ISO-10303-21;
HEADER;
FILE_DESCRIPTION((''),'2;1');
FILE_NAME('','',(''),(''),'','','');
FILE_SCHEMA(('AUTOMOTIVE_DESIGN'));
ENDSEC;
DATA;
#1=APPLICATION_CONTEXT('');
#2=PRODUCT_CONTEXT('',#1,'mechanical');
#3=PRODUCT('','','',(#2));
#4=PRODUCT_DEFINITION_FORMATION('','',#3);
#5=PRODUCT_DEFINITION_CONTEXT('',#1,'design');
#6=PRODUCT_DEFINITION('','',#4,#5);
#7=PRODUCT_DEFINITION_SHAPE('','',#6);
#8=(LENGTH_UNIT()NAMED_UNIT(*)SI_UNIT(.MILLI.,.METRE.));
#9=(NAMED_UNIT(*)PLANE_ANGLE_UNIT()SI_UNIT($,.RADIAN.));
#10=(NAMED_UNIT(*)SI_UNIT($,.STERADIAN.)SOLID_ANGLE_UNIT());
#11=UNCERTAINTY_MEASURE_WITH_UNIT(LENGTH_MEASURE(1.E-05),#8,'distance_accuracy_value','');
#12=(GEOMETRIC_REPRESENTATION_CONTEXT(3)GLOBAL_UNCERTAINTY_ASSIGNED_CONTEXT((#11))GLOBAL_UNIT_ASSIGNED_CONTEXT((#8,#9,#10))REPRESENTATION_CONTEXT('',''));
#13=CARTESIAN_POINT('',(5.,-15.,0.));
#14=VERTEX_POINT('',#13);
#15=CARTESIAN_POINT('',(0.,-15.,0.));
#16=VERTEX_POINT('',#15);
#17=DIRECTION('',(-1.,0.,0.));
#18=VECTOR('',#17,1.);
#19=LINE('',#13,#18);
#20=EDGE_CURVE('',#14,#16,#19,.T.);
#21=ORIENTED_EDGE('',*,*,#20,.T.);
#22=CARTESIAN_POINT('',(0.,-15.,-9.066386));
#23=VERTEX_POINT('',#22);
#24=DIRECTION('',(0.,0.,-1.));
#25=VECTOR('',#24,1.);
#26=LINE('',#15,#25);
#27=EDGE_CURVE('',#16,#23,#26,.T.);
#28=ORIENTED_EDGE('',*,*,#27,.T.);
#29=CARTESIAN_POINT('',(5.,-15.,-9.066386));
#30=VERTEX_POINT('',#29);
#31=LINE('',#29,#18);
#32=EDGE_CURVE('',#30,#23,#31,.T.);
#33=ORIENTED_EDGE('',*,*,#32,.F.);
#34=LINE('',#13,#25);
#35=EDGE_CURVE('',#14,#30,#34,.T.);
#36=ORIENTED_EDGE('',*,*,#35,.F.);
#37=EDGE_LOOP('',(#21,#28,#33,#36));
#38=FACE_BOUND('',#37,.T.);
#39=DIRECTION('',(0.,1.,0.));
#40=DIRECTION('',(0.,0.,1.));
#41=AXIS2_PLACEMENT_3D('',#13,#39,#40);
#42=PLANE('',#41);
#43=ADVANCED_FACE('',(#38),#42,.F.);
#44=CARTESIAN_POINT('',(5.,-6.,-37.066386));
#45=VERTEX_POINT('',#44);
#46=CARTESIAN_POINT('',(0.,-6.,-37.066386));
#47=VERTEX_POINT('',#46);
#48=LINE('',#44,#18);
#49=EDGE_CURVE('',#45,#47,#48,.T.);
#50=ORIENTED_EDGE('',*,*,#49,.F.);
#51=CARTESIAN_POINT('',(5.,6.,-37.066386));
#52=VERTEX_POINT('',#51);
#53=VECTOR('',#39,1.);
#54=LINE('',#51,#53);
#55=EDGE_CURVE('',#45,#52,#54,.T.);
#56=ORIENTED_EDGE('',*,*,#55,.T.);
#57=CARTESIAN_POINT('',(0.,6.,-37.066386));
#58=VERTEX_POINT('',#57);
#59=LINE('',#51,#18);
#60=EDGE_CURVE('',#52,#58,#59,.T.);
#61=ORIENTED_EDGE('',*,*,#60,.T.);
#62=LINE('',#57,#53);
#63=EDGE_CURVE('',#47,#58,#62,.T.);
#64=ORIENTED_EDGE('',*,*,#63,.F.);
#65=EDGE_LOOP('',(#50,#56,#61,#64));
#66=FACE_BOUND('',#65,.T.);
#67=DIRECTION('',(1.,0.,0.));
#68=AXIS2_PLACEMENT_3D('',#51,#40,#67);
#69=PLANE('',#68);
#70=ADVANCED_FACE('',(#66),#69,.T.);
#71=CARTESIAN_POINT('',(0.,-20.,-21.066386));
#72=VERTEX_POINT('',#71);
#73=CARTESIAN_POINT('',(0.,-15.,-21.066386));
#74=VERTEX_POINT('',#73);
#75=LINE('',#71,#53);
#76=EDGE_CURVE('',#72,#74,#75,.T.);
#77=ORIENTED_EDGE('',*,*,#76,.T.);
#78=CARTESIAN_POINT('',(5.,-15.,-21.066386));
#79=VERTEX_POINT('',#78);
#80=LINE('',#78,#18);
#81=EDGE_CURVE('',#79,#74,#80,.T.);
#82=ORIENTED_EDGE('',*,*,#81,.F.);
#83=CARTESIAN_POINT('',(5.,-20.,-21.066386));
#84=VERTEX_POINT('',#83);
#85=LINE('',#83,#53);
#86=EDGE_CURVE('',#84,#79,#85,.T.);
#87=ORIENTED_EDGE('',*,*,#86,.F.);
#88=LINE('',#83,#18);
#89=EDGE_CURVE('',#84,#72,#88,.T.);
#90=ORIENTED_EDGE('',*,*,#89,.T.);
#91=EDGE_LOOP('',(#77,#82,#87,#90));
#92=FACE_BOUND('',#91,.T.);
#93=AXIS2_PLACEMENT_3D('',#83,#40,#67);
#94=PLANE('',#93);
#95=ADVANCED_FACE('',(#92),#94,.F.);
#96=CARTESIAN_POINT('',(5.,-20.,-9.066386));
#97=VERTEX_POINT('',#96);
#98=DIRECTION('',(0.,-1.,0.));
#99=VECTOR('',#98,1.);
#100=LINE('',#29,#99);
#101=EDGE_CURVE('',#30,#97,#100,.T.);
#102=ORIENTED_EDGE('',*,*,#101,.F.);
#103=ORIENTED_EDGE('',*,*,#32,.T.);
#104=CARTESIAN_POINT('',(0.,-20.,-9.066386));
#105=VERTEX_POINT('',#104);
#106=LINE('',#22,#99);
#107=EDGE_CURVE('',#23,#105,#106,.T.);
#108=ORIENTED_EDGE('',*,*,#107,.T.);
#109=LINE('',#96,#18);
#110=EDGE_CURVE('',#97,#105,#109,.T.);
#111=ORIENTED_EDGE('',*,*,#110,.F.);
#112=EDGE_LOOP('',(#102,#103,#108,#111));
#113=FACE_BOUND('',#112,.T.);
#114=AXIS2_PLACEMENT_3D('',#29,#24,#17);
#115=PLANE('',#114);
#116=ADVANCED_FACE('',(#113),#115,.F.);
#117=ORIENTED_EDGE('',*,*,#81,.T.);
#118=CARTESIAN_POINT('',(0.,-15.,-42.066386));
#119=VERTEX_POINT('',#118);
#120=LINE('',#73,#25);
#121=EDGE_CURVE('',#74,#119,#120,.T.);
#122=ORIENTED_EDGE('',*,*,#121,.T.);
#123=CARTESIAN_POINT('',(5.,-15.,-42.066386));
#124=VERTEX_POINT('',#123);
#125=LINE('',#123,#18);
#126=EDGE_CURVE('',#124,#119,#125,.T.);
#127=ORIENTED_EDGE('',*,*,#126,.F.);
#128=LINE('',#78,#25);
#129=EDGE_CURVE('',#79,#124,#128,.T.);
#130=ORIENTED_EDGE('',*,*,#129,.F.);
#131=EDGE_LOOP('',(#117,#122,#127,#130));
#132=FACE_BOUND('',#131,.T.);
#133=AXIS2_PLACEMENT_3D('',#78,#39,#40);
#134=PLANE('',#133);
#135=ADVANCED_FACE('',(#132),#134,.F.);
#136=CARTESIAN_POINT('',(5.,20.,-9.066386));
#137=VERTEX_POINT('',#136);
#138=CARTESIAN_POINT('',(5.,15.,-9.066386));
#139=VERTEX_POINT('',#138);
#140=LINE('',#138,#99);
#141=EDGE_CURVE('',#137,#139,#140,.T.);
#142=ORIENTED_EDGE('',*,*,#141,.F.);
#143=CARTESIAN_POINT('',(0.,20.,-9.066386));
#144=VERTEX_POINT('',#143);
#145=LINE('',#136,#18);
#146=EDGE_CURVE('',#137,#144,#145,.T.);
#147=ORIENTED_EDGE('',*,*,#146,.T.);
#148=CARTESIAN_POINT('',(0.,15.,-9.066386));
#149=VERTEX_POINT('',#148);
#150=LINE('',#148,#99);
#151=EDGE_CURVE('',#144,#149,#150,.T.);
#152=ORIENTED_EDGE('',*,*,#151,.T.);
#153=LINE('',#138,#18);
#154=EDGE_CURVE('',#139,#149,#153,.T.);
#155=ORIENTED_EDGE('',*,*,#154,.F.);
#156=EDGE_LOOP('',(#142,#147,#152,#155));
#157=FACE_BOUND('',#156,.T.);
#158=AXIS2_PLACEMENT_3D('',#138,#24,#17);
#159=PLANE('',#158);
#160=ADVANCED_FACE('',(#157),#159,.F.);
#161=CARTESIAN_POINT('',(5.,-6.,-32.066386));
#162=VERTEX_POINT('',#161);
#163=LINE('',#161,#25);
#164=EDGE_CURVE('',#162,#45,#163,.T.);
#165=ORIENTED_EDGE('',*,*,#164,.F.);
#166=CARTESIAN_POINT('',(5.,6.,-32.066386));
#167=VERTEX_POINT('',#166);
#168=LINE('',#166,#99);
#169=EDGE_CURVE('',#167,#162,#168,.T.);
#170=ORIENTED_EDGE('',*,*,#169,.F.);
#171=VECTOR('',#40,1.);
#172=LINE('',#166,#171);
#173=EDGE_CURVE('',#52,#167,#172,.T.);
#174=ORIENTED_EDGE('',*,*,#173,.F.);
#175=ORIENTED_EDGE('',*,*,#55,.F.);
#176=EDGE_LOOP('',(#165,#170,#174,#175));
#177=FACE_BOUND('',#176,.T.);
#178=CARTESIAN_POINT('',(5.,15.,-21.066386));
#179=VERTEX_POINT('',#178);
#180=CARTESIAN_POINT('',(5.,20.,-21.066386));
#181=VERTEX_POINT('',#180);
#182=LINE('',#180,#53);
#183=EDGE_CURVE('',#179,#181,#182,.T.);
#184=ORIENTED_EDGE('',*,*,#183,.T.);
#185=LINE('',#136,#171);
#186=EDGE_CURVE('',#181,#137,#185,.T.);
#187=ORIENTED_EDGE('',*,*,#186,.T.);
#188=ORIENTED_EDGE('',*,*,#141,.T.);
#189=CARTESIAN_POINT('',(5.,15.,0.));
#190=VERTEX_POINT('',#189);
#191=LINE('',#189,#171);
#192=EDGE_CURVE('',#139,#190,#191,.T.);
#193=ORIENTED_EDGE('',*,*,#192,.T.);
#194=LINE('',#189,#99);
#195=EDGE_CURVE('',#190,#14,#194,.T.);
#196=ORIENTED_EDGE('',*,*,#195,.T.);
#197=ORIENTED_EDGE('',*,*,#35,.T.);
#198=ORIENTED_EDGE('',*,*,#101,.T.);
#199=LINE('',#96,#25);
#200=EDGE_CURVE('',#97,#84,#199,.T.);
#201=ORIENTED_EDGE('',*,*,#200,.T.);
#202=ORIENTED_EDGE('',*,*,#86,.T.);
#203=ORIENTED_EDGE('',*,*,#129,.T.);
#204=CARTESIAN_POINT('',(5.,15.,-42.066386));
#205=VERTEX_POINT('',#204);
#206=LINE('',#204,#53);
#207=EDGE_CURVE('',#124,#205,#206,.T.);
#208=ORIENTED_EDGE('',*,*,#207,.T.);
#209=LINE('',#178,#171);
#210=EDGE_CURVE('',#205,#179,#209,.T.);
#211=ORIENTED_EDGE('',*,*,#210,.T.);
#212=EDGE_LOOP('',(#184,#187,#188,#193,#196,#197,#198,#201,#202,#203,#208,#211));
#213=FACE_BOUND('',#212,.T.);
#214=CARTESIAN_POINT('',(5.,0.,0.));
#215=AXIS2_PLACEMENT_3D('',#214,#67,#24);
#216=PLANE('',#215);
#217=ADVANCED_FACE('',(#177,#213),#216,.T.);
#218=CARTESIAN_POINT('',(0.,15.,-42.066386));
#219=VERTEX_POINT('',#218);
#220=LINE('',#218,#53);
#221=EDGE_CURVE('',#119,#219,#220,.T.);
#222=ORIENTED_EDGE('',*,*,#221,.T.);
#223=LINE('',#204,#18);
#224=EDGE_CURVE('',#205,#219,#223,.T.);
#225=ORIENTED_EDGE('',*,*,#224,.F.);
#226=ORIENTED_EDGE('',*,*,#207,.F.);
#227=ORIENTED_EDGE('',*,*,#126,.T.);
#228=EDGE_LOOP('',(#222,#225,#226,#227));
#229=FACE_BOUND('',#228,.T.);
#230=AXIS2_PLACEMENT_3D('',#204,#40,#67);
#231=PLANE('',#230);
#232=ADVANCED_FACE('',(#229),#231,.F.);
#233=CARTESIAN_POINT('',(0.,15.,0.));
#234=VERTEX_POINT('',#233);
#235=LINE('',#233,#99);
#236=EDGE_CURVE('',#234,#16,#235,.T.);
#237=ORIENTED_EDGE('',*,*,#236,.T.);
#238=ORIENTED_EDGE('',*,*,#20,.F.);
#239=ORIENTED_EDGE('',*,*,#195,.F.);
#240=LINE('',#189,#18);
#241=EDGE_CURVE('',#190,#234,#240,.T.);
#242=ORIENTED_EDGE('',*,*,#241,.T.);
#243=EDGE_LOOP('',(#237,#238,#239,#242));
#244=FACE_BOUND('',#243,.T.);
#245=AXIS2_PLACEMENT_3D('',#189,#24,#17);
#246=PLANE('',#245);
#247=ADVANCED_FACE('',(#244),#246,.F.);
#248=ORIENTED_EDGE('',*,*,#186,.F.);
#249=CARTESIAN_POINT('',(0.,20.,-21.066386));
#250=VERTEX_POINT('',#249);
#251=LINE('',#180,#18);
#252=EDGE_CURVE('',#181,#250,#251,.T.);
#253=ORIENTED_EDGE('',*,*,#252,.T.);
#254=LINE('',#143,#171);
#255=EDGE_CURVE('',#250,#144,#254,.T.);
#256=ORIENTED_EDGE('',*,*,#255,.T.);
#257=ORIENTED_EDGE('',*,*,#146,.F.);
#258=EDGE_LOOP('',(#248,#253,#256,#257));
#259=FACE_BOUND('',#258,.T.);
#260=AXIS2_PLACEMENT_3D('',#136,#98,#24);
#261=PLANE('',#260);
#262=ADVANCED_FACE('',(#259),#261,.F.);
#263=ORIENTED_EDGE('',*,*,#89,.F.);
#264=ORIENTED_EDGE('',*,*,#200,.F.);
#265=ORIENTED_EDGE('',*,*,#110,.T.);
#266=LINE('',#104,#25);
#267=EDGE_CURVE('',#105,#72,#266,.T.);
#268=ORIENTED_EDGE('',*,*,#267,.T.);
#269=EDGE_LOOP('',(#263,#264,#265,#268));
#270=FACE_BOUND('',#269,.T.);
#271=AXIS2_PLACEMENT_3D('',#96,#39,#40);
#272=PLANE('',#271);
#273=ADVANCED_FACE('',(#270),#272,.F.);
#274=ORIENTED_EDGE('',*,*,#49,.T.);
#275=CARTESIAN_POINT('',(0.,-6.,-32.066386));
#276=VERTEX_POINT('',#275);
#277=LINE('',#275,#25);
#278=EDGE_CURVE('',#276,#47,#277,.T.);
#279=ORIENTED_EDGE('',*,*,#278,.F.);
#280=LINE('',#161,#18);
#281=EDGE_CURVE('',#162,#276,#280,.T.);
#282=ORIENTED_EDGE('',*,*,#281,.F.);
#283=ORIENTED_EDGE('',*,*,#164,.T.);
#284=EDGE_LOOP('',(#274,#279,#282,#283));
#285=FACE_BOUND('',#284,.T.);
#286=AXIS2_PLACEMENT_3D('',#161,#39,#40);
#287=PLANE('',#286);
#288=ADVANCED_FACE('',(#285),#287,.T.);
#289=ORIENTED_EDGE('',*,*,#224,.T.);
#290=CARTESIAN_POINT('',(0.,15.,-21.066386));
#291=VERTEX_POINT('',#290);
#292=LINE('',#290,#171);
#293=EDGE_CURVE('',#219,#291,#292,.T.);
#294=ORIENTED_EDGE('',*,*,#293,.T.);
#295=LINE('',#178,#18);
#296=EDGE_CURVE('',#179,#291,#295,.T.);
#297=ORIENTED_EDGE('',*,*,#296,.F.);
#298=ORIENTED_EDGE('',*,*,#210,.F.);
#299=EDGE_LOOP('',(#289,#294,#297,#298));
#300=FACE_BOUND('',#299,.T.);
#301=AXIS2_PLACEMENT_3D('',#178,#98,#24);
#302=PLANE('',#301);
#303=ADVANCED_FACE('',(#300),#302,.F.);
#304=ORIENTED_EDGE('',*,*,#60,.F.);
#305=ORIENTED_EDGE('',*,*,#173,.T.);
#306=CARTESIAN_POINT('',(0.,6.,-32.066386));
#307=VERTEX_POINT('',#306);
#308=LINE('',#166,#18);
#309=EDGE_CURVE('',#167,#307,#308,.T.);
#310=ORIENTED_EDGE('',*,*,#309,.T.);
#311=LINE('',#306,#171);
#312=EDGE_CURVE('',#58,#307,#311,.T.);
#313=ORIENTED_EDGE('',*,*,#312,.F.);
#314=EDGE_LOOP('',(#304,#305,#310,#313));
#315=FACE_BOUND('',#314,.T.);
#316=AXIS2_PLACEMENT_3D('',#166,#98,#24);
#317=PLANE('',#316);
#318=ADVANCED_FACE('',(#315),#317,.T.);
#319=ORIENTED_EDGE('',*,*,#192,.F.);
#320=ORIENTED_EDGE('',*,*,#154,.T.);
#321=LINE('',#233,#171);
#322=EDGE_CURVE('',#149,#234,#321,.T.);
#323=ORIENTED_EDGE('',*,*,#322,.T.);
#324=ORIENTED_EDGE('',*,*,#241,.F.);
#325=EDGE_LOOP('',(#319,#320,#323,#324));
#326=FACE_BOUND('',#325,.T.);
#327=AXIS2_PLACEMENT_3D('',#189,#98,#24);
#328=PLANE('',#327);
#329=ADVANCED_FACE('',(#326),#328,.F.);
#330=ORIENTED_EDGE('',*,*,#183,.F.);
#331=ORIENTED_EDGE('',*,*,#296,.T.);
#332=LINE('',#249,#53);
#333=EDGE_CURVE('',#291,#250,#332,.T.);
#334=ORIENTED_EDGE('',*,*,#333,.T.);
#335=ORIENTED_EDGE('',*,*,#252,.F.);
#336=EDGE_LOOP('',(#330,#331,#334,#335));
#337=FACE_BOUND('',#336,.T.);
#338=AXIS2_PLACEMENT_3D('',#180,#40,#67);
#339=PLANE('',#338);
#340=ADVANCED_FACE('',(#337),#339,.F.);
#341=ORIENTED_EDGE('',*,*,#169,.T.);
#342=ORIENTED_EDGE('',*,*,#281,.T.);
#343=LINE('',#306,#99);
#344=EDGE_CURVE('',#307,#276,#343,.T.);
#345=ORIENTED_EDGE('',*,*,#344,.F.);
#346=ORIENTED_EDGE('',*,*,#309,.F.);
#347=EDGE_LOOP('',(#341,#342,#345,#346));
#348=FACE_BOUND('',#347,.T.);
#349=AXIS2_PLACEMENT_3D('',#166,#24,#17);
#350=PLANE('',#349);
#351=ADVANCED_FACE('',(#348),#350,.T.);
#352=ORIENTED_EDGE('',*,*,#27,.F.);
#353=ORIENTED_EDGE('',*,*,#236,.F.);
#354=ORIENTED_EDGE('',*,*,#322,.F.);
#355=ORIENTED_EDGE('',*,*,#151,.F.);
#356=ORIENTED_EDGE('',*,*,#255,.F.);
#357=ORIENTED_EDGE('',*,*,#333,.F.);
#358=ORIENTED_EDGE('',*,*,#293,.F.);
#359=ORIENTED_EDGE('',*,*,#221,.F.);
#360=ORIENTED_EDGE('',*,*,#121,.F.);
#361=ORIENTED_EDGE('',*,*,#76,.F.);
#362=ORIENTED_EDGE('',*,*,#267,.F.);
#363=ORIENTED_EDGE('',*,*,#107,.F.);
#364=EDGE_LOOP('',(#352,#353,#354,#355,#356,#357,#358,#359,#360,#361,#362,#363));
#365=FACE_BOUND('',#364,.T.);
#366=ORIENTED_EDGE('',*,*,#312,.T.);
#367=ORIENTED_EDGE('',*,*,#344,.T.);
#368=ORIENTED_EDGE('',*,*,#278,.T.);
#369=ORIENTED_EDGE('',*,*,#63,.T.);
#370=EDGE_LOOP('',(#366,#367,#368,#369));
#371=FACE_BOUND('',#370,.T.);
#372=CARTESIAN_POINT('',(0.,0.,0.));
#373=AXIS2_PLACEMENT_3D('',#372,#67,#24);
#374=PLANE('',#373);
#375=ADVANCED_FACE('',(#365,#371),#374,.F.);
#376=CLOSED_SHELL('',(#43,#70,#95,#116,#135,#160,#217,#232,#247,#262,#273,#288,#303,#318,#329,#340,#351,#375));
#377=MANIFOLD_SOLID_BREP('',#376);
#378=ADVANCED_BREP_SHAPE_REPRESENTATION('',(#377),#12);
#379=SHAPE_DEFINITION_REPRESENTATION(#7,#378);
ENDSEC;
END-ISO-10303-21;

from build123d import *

# Parameters (mm, degrees)
SKETCH1_W           = 5
SKETCH1_H           = 12
BOSS_EXTRUDE1_DEPTH = 5


with BuildPart() as part:
    # Sketch1 → Boss-Extrude1 (new body)
    with BuildSketch(Plane(origin=(0, 0, 0), x_dir=(0, 0, -1), z_dir=(1, 0, 0))):
        Polygon((0, 15), (9.066386299, 15), (9.066386299, 20), (21.066386299, 20), (21.066386299, 15), (42.066386299, 15), (42.066386299, -15), (21.066386299, -15), (21.066386299, -20), (9.066386299, -20), (9.066386299, -15), (0, -15), align=None)
        with Locations((34.566386299, 0)):
            Rectangle(SKETCH1_W, SKETCH1_H, mode=Mode.SUBTRACT)
    extrude(amount=BOSS_EXTRUDE1_DEPTH)


solid = part.part
